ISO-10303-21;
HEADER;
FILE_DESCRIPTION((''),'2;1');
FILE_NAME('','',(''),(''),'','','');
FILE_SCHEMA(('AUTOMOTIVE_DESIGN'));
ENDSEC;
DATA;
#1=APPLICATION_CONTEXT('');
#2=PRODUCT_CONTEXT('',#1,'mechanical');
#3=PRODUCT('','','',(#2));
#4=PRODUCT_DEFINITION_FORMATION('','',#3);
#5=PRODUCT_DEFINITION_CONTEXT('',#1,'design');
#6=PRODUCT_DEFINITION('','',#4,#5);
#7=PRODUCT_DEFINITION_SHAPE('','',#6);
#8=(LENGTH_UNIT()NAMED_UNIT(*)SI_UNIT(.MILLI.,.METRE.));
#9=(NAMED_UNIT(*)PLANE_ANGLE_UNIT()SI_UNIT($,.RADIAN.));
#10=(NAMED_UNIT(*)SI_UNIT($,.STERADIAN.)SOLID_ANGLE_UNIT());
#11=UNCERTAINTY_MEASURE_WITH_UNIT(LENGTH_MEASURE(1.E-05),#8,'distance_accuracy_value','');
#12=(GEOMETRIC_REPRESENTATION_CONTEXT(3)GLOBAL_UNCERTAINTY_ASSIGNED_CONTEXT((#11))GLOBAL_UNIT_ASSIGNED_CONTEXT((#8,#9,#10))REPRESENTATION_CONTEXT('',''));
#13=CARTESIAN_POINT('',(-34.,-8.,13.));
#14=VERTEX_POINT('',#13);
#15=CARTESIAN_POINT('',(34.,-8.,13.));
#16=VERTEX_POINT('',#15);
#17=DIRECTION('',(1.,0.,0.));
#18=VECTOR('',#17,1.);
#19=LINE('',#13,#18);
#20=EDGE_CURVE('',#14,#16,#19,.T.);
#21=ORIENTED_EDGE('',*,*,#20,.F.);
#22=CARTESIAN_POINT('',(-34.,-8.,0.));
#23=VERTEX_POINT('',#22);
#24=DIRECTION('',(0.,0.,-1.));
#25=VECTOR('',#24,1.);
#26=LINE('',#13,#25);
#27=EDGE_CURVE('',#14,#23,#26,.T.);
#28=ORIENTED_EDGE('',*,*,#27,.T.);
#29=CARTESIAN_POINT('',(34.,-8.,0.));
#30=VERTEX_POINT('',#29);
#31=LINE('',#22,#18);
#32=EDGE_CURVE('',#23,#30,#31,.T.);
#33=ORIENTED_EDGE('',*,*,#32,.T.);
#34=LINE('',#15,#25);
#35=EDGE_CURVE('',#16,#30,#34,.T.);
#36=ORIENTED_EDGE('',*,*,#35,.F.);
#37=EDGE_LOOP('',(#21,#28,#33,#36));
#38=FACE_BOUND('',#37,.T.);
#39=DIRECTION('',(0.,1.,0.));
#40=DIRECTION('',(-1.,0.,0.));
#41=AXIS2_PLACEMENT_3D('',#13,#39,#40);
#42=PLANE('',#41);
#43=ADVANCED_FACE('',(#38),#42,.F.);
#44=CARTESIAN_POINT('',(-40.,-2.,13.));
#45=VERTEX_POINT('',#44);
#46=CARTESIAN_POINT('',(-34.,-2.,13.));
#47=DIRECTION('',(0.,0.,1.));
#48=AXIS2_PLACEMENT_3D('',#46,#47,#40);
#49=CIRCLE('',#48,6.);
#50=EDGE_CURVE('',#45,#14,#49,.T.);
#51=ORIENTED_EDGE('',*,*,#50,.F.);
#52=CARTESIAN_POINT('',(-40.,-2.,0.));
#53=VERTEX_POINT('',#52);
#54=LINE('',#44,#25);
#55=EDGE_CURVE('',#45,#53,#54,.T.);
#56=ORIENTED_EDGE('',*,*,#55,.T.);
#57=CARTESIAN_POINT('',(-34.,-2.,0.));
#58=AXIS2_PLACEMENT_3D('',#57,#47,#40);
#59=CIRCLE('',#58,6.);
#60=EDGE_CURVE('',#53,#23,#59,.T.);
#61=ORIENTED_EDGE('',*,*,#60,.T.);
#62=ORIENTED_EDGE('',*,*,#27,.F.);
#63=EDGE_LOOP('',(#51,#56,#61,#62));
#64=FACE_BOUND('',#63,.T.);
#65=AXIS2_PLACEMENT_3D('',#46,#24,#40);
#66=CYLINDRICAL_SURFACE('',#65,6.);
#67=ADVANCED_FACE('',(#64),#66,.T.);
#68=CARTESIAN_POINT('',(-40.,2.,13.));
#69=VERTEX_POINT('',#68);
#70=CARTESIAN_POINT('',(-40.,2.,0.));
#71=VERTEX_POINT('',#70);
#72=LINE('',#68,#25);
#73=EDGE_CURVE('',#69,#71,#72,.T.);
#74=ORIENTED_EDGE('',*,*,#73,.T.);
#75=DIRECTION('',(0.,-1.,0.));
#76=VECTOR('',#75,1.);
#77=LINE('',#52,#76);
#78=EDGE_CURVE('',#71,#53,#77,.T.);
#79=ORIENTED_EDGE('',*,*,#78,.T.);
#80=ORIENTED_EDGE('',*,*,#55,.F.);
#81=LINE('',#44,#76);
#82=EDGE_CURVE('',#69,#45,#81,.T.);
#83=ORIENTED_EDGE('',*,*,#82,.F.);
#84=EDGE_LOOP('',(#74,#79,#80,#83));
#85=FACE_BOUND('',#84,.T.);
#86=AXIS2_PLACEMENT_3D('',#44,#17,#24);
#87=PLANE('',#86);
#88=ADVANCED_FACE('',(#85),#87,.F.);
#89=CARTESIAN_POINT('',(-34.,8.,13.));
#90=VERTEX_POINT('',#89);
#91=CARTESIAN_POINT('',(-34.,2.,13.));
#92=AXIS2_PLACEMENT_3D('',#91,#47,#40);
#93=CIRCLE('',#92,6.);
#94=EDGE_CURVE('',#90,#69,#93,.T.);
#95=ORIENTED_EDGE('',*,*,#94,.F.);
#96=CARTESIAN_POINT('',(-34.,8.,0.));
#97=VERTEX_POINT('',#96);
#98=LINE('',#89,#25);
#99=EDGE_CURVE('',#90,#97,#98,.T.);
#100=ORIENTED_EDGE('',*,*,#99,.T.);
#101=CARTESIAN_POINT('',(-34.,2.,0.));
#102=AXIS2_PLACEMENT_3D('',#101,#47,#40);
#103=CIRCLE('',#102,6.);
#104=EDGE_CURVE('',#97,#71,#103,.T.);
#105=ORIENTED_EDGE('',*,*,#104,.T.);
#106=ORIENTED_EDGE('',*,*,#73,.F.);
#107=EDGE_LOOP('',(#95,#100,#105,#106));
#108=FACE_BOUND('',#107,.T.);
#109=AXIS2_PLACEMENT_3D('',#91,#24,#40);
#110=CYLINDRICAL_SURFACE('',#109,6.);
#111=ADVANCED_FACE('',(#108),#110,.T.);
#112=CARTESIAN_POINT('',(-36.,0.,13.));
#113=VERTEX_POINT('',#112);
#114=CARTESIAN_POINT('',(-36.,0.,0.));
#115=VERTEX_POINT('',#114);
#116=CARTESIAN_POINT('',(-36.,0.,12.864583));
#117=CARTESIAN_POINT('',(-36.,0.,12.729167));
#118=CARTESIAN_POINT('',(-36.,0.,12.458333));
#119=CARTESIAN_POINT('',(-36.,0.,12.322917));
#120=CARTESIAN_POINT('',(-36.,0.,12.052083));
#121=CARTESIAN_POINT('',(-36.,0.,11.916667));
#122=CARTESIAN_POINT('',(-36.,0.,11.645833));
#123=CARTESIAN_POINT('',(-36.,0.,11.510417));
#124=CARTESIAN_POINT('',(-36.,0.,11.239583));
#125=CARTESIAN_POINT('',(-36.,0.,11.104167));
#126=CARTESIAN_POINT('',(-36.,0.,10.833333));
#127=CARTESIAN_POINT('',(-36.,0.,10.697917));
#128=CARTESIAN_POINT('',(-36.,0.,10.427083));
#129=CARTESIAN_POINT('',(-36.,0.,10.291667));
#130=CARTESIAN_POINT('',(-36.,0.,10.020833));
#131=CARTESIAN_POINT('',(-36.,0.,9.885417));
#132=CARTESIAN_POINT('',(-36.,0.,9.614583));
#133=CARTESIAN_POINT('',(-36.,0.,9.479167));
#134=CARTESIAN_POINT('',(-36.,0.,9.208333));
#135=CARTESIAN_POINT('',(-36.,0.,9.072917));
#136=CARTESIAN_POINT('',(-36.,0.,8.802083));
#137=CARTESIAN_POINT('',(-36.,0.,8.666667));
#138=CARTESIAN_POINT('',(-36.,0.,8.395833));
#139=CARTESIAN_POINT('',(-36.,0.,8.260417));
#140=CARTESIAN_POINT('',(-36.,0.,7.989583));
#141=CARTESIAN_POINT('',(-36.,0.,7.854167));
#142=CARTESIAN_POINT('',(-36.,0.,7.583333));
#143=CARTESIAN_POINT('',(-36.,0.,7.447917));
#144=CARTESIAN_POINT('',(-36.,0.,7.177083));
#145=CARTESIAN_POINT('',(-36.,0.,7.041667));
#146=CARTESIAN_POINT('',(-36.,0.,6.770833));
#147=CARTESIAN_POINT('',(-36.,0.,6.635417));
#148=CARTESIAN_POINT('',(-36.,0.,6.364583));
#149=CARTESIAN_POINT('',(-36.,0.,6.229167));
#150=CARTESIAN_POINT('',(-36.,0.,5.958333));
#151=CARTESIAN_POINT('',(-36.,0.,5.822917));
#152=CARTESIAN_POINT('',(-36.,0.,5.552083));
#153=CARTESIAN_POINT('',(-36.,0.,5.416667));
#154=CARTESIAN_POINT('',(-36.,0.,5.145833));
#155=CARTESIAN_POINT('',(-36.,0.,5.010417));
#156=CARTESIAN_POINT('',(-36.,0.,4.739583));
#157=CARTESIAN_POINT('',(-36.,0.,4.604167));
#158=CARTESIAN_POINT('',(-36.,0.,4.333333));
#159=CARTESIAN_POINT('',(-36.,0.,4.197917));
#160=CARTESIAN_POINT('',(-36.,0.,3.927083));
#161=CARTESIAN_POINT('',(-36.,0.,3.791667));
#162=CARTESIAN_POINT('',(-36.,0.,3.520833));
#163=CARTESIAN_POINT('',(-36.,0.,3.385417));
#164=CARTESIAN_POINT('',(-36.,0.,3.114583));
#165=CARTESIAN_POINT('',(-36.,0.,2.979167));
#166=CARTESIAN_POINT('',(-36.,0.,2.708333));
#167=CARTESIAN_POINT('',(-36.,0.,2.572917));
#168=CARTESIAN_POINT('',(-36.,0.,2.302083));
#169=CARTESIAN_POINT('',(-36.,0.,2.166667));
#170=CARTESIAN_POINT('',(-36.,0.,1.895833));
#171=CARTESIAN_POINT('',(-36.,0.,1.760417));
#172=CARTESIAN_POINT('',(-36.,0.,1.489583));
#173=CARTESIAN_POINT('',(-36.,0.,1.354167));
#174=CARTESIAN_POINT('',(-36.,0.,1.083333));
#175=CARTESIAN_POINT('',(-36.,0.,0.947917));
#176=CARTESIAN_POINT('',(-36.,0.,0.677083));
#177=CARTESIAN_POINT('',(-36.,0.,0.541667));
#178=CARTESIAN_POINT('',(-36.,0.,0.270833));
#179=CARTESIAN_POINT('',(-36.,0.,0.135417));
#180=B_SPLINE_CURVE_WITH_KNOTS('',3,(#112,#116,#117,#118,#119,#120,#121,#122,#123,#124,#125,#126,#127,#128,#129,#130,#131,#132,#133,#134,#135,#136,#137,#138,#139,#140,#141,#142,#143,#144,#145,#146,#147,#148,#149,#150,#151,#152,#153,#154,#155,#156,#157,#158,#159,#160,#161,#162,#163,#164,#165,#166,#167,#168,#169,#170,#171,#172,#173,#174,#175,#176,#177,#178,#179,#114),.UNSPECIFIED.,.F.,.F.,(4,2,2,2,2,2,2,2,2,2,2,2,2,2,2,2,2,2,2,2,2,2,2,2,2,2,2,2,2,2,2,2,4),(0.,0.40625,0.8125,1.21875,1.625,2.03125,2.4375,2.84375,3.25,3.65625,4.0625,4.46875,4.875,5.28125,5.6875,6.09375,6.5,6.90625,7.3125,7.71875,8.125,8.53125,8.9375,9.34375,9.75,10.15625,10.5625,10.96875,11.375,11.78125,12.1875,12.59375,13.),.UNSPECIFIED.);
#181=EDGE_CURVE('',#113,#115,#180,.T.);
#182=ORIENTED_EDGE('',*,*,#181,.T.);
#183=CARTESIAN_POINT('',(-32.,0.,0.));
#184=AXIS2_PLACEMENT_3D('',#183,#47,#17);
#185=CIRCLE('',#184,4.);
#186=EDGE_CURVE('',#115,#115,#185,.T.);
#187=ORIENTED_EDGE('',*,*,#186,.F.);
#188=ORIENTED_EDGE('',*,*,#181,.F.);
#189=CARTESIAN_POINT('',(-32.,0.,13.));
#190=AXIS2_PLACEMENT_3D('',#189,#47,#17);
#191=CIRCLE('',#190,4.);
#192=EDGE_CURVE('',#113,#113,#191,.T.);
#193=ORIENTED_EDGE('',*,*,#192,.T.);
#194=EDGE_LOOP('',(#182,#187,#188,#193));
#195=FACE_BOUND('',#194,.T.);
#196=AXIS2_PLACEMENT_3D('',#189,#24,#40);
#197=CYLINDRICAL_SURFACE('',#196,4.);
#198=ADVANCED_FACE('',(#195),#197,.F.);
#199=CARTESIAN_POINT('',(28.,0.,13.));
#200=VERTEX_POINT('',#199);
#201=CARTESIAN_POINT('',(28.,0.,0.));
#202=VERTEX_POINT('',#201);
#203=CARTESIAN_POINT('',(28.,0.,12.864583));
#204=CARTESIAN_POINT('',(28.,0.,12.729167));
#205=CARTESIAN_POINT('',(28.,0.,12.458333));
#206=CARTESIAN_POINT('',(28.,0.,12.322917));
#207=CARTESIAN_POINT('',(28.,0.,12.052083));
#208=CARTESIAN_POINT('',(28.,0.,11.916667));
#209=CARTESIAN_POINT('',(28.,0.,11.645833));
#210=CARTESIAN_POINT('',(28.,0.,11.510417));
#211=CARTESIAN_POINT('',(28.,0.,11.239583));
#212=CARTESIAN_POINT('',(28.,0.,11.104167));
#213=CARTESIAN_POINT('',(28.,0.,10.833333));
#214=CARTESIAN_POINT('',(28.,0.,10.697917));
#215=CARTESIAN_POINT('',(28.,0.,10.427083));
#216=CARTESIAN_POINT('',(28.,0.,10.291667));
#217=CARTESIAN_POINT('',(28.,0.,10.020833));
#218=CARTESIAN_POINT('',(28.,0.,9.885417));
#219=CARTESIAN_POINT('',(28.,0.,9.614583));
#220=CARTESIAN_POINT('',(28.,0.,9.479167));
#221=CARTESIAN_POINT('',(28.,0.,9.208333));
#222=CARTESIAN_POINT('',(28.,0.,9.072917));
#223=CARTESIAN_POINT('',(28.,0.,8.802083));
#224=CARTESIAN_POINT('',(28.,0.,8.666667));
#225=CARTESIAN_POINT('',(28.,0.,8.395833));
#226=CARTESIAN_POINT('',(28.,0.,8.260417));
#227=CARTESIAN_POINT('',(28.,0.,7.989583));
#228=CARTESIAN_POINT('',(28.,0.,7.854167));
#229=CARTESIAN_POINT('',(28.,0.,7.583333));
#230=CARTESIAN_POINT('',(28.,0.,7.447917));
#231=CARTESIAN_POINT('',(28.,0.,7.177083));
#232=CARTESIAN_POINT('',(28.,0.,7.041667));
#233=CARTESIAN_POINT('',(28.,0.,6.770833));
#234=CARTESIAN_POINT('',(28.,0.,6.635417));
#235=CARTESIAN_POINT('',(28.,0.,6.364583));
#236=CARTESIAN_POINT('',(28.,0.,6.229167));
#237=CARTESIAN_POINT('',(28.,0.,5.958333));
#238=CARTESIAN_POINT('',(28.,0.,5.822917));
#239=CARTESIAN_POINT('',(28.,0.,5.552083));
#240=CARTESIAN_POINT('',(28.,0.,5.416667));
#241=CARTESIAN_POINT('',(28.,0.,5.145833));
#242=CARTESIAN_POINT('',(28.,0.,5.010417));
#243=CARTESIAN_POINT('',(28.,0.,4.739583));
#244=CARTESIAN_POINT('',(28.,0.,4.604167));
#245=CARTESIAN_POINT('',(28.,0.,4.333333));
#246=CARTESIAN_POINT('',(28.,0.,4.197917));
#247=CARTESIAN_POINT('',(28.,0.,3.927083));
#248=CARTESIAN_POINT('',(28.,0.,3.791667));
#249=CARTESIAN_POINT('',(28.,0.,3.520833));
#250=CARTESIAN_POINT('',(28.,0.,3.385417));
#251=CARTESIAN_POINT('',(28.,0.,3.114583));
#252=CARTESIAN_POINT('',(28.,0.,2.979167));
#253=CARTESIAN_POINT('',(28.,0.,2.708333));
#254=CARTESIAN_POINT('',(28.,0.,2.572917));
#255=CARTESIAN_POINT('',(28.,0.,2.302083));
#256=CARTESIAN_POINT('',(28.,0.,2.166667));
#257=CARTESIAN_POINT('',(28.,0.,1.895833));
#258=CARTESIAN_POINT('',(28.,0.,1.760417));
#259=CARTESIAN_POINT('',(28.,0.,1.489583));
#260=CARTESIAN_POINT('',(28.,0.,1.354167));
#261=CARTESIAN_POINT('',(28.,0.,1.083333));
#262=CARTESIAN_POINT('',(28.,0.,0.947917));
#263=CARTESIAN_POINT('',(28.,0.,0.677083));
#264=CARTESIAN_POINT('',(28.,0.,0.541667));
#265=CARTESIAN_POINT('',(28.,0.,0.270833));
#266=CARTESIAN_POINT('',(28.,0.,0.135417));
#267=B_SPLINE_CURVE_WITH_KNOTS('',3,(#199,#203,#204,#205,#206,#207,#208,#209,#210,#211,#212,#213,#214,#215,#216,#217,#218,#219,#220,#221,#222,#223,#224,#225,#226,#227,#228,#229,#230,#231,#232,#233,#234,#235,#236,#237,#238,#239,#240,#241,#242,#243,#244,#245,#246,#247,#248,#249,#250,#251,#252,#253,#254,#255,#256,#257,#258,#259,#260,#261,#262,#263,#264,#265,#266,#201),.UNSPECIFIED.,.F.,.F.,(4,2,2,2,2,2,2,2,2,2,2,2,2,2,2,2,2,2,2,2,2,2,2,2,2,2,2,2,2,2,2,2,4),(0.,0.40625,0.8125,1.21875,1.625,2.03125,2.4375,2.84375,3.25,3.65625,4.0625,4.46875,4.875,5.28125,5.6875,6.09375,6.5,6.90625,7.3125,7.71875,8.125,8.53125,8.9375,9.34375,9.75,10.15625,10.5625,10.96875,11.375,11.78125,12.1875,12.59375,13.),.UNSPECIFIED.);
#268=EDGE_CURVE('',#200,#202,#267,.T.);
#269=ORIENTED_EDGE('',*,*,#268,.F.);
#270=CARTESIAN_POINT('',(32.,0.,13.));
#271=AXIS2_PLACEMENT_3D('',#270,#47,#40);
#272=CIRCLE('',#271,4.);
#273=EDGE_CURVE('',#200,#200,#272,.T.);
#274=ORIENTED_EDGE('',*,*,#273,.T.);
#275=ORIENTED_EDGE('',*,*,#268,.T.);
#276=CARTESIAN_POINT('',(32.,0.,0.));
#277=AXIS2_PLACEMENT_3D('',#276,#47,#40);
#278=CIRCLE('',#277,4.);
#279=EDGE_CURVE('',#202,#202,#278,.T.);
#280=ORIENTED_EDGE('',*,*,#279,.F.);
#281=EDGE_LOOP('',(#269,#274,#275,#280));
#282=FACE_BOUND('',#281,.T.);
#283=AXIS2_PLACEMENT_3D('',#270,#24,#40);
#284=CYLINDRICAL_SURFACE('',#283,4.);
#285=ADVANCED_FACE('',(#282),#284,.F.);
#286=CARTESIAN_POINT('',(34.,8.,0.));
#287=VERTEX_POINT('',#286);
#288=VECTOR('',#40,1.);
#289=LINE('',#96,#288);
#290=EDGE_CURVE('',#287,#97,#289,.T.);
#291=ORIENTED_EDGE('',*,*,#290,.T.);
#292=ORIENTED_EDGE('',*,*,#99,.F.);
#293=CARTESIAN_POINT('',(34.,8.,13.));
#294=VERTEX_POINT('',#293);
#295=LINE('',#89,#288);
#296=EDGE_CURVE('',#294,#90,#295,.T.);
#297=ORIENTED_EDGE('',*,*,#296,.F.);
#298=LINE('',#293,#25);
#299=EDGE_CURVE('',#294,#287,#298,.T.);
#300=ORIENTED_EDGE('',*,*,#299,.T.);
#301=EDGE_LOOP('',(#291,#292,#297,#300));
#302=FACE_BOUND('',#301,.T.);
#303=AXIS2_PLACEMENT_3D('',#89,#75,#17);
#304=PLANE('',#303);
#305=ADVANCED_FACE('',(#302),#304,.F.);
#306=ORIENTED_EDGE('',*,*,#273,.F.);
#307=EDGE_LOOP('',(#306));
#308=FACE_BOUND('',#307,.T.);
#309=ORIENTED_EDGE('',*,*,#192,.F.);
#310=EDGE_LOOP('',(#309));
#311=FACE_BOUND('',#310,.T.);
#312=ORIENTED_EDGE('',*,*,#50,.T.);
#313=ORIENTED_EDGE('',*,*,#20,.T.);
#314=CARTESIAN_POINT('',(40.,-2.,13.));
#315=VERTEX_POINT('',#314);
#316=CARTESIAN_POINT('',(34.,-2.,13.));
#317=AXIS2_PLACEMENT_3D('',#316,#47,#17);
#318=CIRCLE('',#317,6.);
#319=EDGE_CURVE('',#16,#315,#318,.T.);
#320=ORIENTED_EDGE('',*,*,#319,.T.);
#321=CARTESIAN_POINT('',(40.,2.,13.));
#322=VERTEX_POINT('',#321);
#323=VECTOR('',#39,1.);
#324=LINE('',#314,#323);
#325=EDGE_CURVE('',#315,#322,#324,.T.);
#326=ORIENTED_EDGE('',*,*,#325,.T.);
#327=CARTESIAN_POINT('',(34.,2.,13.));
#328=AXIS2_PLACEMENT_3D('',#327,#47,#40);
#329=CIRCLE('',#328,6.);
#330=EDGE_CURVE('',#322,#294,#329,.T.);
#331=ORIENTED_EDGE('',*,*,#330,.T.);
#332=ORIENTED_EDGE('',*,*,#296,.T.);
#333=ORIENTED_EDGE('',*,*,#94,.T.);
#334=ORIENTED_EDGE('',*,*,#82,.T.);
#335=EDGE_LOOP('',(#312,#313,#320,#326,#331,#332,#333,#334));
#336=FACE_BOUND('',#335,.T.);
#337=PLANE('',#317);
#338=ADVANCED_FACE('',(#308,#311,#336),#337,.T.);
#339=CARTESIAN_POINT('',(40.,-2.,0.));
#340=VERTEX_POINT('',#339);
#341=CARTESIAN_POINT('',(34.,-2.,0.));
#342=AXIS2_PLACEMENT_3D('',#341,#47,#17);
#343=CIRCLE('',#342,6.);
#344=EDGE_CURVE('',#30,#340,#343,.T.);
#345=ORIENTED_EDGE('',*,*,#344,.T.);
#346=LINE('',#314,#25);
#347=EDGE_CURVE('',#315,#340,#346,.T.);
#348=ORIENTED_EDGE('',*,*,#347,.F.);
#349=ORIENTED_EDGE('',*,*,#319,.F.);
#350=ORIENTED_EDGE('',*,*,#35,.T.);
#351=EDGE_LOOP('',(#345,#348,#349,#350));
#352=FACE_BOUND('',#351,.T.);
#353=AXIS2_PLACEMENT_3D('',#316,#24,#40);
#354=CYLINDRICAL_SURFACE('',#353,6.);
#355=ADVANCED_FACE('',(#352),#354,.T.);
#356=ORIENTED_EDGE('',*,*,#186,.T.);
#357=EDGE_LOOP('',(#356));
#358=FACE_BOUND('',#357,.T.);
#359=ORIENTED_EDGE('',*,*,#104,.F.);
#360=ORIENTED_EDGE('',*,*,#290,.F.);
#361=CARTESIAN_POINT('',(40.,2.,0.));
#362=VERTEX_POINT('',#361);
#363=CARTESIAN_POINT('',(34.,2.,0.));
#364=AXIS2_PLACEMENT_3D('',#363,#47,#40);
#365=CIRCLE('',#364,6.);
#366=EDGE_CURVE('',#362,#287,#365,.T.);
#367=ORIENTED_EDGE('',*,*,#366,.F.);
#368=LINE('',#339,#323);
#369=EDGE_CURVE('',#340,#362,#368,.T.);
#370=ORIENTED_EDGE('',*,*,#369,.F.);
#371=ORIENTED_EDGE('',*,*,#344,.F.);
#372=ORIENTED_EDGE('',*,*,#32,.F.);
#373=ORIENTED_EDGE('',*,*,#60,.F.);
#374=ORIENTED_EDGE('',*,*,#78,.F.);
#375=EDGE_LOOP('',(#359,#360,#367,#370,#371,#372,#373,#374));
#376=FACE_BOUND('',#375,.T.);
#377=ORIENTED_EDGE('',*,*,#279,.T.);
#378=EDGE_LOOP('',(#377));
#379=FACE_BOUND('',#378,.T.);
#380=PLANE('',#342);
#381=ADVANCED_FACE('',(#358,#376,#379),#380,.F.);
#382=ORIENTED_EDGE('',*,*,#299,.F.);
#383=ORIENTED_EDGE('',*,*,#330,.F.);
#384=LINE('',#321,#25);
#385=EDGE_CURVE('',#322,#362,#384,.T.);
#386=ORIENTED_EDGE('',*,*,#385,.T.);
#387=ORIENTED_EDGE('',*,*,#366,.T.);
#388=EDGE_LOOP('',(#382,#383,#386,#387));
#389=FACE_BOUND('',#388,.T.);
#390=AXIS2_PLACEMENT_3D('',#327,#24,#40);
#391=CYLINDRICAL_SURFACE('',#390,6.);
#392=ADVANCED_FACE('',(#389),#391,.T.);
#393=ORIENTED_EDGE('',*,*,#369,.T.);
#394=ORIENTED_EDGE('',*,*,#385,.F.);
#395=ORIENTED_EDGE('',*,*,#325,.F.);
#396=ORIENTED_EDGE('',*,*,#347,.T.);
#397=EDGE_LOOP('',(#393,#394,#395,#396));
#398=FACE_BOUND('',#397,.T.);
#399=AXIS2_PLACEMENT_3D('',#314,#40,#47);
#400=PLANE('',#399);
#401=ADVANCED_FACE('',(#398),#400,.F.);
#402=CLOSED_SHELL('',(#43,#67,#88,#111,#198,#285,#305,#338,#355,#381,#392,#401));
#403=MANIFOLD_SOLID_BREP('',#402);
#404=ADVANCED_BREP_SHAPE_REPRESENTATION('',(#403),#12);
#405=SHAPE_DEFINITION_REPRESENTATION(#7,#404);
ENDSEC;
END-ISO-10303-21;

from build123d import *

# Parameters (mm, degrees)
ESQUISSE1_R        = 4
BOSS_EXTRU_1_DEPTH = 13


with BuildPart() as part:
    # Esquisse1 → Boss.-Extru.1 (new body)
    with BuildSketch(Plane.XY):
        with BuildLine():
            Line((-34, -8), (34, -8))
            ThreePointArc((34, -8), (38.242640687, -6.242640687), (40, -2))
            Line((40, -2), (40, 2))
            ThreePointArc((40, 2), (38.242640687, 6.242640687), (34, 8))
            Line((34, 8), (-34, 8))
            ThreePointArc((-34, 8), (-38.242640687, 6.242640687), (-40, 2))
            Line((-40, 2), (-40, -2))
            ThreePointArc((-40, -2), (-38.242640687, -6.242640687), (-34, -8))
        make_face()
        with Locations(Location((-32, 0, 0), (0, 0, 180))):
            Circle(ESQUISSE1_R, mode=Mode.SUBTRACT)
        with Locations(Location((32, 0, 0), (0, 0, 180))):
            Circle(ESQUISSE1_R, mode=Mode.SUBTRACT)
    extrude(amount=BOSS_EXTRU_1_DEPTH)


solid = part.part
